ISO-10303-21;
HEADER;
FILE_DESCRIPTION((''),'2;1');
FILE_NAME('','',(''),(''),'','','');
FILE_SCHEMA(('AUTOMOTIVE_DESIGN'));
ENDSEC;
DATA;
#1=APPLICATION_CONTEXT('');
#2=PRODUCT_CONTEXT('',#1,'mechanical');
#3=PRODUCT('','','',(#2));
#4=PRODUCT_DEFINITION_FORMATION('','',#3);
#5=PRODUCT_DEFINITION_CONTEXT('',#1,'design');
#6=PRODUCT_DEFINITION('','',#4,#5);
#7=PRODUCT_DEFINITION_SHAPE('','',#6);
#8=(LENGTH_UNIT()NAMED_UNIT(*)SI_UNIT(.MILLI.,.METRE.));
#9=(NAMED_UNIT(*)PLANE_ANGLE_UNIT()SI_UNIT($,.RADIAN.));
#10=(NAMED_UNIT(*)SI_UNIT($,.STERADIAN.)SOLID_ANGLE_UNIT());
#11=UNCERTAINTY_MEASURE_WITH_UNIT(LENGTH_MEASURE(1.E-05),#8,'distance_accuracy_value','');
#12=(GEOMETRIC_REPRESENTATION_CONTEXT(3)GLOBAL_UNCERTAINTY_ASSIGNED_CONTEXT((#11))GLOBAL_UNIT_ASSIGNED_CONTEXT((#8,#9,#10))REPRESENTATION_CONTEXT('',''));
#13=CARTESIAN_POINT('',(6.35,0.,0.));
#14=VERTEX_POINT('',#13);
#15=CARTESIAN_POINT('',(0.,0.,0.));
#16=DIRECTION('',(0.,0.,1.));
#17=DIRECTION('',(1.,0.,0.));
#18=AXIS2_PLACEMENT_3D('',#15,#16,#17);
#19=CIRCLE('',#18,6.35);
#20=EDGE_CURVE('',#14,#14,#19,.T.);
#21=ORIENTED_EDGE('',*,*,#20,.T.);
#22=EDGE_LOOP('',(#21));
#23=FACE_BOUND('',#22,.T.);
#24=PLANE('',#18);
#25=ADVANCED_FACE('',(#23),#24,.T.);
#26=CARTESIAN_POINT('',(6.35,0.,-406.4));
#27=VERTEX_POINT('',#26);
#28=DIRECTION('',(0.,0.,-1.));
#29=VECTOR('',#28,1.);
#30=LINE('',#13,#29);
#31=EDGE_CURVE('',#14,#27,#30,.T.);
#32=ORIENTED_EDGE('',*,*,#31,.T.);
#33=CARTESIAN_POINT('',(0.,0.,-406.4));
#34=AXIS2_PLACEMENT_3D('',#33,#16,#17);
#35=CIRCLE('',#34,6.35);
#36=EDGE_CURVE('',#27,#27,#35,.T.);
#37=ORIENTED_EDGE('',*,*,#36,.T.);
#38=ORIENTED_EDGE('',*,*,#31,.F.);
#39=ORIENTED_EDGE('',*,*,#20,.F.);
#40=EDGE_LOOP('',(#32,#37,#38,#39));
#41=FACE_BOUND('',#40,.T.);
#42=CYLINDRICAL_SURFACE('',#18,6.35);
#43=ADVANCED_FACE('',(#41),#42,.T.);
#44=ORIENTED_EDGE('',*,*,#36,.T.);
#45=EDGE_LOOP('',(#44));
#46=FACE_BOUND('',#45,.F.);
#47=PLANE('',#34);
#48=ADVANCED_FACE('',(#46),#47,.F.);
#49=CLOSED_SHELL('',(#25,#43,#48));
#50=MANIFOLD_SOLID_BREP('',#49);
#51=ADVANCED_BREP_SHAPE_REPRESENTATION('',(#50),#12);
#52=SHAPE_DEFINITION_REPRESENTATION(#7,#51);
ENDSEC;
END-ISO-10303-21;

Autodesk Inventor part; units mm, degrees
ref_plane "YZ Plane" through (0, 0, 0) normal (1, 0, 0) x (0, 1, 0)
ref_plane "XZ Plane" through (0, 0, 0) normal (0, 1, 0) x (-1, 0, 0)
ref_plane "XY Plane" through (0, 0, 0) normal (0, 0, 1) x (1, 0, 0)
sketch "Sketch1" plane through (0, 0, 0) normal (0, 0, 1) x (1, 0, 0)
  circle A0 centre (0, 0) radius 6.35
  dimension "d0" = 12.7
  dimension "d0" = 12.7
extrude "Extrusion1" add sketch "Sketch1" against normal blind 406.4
properties part number "cross_mid_frame_axle"
